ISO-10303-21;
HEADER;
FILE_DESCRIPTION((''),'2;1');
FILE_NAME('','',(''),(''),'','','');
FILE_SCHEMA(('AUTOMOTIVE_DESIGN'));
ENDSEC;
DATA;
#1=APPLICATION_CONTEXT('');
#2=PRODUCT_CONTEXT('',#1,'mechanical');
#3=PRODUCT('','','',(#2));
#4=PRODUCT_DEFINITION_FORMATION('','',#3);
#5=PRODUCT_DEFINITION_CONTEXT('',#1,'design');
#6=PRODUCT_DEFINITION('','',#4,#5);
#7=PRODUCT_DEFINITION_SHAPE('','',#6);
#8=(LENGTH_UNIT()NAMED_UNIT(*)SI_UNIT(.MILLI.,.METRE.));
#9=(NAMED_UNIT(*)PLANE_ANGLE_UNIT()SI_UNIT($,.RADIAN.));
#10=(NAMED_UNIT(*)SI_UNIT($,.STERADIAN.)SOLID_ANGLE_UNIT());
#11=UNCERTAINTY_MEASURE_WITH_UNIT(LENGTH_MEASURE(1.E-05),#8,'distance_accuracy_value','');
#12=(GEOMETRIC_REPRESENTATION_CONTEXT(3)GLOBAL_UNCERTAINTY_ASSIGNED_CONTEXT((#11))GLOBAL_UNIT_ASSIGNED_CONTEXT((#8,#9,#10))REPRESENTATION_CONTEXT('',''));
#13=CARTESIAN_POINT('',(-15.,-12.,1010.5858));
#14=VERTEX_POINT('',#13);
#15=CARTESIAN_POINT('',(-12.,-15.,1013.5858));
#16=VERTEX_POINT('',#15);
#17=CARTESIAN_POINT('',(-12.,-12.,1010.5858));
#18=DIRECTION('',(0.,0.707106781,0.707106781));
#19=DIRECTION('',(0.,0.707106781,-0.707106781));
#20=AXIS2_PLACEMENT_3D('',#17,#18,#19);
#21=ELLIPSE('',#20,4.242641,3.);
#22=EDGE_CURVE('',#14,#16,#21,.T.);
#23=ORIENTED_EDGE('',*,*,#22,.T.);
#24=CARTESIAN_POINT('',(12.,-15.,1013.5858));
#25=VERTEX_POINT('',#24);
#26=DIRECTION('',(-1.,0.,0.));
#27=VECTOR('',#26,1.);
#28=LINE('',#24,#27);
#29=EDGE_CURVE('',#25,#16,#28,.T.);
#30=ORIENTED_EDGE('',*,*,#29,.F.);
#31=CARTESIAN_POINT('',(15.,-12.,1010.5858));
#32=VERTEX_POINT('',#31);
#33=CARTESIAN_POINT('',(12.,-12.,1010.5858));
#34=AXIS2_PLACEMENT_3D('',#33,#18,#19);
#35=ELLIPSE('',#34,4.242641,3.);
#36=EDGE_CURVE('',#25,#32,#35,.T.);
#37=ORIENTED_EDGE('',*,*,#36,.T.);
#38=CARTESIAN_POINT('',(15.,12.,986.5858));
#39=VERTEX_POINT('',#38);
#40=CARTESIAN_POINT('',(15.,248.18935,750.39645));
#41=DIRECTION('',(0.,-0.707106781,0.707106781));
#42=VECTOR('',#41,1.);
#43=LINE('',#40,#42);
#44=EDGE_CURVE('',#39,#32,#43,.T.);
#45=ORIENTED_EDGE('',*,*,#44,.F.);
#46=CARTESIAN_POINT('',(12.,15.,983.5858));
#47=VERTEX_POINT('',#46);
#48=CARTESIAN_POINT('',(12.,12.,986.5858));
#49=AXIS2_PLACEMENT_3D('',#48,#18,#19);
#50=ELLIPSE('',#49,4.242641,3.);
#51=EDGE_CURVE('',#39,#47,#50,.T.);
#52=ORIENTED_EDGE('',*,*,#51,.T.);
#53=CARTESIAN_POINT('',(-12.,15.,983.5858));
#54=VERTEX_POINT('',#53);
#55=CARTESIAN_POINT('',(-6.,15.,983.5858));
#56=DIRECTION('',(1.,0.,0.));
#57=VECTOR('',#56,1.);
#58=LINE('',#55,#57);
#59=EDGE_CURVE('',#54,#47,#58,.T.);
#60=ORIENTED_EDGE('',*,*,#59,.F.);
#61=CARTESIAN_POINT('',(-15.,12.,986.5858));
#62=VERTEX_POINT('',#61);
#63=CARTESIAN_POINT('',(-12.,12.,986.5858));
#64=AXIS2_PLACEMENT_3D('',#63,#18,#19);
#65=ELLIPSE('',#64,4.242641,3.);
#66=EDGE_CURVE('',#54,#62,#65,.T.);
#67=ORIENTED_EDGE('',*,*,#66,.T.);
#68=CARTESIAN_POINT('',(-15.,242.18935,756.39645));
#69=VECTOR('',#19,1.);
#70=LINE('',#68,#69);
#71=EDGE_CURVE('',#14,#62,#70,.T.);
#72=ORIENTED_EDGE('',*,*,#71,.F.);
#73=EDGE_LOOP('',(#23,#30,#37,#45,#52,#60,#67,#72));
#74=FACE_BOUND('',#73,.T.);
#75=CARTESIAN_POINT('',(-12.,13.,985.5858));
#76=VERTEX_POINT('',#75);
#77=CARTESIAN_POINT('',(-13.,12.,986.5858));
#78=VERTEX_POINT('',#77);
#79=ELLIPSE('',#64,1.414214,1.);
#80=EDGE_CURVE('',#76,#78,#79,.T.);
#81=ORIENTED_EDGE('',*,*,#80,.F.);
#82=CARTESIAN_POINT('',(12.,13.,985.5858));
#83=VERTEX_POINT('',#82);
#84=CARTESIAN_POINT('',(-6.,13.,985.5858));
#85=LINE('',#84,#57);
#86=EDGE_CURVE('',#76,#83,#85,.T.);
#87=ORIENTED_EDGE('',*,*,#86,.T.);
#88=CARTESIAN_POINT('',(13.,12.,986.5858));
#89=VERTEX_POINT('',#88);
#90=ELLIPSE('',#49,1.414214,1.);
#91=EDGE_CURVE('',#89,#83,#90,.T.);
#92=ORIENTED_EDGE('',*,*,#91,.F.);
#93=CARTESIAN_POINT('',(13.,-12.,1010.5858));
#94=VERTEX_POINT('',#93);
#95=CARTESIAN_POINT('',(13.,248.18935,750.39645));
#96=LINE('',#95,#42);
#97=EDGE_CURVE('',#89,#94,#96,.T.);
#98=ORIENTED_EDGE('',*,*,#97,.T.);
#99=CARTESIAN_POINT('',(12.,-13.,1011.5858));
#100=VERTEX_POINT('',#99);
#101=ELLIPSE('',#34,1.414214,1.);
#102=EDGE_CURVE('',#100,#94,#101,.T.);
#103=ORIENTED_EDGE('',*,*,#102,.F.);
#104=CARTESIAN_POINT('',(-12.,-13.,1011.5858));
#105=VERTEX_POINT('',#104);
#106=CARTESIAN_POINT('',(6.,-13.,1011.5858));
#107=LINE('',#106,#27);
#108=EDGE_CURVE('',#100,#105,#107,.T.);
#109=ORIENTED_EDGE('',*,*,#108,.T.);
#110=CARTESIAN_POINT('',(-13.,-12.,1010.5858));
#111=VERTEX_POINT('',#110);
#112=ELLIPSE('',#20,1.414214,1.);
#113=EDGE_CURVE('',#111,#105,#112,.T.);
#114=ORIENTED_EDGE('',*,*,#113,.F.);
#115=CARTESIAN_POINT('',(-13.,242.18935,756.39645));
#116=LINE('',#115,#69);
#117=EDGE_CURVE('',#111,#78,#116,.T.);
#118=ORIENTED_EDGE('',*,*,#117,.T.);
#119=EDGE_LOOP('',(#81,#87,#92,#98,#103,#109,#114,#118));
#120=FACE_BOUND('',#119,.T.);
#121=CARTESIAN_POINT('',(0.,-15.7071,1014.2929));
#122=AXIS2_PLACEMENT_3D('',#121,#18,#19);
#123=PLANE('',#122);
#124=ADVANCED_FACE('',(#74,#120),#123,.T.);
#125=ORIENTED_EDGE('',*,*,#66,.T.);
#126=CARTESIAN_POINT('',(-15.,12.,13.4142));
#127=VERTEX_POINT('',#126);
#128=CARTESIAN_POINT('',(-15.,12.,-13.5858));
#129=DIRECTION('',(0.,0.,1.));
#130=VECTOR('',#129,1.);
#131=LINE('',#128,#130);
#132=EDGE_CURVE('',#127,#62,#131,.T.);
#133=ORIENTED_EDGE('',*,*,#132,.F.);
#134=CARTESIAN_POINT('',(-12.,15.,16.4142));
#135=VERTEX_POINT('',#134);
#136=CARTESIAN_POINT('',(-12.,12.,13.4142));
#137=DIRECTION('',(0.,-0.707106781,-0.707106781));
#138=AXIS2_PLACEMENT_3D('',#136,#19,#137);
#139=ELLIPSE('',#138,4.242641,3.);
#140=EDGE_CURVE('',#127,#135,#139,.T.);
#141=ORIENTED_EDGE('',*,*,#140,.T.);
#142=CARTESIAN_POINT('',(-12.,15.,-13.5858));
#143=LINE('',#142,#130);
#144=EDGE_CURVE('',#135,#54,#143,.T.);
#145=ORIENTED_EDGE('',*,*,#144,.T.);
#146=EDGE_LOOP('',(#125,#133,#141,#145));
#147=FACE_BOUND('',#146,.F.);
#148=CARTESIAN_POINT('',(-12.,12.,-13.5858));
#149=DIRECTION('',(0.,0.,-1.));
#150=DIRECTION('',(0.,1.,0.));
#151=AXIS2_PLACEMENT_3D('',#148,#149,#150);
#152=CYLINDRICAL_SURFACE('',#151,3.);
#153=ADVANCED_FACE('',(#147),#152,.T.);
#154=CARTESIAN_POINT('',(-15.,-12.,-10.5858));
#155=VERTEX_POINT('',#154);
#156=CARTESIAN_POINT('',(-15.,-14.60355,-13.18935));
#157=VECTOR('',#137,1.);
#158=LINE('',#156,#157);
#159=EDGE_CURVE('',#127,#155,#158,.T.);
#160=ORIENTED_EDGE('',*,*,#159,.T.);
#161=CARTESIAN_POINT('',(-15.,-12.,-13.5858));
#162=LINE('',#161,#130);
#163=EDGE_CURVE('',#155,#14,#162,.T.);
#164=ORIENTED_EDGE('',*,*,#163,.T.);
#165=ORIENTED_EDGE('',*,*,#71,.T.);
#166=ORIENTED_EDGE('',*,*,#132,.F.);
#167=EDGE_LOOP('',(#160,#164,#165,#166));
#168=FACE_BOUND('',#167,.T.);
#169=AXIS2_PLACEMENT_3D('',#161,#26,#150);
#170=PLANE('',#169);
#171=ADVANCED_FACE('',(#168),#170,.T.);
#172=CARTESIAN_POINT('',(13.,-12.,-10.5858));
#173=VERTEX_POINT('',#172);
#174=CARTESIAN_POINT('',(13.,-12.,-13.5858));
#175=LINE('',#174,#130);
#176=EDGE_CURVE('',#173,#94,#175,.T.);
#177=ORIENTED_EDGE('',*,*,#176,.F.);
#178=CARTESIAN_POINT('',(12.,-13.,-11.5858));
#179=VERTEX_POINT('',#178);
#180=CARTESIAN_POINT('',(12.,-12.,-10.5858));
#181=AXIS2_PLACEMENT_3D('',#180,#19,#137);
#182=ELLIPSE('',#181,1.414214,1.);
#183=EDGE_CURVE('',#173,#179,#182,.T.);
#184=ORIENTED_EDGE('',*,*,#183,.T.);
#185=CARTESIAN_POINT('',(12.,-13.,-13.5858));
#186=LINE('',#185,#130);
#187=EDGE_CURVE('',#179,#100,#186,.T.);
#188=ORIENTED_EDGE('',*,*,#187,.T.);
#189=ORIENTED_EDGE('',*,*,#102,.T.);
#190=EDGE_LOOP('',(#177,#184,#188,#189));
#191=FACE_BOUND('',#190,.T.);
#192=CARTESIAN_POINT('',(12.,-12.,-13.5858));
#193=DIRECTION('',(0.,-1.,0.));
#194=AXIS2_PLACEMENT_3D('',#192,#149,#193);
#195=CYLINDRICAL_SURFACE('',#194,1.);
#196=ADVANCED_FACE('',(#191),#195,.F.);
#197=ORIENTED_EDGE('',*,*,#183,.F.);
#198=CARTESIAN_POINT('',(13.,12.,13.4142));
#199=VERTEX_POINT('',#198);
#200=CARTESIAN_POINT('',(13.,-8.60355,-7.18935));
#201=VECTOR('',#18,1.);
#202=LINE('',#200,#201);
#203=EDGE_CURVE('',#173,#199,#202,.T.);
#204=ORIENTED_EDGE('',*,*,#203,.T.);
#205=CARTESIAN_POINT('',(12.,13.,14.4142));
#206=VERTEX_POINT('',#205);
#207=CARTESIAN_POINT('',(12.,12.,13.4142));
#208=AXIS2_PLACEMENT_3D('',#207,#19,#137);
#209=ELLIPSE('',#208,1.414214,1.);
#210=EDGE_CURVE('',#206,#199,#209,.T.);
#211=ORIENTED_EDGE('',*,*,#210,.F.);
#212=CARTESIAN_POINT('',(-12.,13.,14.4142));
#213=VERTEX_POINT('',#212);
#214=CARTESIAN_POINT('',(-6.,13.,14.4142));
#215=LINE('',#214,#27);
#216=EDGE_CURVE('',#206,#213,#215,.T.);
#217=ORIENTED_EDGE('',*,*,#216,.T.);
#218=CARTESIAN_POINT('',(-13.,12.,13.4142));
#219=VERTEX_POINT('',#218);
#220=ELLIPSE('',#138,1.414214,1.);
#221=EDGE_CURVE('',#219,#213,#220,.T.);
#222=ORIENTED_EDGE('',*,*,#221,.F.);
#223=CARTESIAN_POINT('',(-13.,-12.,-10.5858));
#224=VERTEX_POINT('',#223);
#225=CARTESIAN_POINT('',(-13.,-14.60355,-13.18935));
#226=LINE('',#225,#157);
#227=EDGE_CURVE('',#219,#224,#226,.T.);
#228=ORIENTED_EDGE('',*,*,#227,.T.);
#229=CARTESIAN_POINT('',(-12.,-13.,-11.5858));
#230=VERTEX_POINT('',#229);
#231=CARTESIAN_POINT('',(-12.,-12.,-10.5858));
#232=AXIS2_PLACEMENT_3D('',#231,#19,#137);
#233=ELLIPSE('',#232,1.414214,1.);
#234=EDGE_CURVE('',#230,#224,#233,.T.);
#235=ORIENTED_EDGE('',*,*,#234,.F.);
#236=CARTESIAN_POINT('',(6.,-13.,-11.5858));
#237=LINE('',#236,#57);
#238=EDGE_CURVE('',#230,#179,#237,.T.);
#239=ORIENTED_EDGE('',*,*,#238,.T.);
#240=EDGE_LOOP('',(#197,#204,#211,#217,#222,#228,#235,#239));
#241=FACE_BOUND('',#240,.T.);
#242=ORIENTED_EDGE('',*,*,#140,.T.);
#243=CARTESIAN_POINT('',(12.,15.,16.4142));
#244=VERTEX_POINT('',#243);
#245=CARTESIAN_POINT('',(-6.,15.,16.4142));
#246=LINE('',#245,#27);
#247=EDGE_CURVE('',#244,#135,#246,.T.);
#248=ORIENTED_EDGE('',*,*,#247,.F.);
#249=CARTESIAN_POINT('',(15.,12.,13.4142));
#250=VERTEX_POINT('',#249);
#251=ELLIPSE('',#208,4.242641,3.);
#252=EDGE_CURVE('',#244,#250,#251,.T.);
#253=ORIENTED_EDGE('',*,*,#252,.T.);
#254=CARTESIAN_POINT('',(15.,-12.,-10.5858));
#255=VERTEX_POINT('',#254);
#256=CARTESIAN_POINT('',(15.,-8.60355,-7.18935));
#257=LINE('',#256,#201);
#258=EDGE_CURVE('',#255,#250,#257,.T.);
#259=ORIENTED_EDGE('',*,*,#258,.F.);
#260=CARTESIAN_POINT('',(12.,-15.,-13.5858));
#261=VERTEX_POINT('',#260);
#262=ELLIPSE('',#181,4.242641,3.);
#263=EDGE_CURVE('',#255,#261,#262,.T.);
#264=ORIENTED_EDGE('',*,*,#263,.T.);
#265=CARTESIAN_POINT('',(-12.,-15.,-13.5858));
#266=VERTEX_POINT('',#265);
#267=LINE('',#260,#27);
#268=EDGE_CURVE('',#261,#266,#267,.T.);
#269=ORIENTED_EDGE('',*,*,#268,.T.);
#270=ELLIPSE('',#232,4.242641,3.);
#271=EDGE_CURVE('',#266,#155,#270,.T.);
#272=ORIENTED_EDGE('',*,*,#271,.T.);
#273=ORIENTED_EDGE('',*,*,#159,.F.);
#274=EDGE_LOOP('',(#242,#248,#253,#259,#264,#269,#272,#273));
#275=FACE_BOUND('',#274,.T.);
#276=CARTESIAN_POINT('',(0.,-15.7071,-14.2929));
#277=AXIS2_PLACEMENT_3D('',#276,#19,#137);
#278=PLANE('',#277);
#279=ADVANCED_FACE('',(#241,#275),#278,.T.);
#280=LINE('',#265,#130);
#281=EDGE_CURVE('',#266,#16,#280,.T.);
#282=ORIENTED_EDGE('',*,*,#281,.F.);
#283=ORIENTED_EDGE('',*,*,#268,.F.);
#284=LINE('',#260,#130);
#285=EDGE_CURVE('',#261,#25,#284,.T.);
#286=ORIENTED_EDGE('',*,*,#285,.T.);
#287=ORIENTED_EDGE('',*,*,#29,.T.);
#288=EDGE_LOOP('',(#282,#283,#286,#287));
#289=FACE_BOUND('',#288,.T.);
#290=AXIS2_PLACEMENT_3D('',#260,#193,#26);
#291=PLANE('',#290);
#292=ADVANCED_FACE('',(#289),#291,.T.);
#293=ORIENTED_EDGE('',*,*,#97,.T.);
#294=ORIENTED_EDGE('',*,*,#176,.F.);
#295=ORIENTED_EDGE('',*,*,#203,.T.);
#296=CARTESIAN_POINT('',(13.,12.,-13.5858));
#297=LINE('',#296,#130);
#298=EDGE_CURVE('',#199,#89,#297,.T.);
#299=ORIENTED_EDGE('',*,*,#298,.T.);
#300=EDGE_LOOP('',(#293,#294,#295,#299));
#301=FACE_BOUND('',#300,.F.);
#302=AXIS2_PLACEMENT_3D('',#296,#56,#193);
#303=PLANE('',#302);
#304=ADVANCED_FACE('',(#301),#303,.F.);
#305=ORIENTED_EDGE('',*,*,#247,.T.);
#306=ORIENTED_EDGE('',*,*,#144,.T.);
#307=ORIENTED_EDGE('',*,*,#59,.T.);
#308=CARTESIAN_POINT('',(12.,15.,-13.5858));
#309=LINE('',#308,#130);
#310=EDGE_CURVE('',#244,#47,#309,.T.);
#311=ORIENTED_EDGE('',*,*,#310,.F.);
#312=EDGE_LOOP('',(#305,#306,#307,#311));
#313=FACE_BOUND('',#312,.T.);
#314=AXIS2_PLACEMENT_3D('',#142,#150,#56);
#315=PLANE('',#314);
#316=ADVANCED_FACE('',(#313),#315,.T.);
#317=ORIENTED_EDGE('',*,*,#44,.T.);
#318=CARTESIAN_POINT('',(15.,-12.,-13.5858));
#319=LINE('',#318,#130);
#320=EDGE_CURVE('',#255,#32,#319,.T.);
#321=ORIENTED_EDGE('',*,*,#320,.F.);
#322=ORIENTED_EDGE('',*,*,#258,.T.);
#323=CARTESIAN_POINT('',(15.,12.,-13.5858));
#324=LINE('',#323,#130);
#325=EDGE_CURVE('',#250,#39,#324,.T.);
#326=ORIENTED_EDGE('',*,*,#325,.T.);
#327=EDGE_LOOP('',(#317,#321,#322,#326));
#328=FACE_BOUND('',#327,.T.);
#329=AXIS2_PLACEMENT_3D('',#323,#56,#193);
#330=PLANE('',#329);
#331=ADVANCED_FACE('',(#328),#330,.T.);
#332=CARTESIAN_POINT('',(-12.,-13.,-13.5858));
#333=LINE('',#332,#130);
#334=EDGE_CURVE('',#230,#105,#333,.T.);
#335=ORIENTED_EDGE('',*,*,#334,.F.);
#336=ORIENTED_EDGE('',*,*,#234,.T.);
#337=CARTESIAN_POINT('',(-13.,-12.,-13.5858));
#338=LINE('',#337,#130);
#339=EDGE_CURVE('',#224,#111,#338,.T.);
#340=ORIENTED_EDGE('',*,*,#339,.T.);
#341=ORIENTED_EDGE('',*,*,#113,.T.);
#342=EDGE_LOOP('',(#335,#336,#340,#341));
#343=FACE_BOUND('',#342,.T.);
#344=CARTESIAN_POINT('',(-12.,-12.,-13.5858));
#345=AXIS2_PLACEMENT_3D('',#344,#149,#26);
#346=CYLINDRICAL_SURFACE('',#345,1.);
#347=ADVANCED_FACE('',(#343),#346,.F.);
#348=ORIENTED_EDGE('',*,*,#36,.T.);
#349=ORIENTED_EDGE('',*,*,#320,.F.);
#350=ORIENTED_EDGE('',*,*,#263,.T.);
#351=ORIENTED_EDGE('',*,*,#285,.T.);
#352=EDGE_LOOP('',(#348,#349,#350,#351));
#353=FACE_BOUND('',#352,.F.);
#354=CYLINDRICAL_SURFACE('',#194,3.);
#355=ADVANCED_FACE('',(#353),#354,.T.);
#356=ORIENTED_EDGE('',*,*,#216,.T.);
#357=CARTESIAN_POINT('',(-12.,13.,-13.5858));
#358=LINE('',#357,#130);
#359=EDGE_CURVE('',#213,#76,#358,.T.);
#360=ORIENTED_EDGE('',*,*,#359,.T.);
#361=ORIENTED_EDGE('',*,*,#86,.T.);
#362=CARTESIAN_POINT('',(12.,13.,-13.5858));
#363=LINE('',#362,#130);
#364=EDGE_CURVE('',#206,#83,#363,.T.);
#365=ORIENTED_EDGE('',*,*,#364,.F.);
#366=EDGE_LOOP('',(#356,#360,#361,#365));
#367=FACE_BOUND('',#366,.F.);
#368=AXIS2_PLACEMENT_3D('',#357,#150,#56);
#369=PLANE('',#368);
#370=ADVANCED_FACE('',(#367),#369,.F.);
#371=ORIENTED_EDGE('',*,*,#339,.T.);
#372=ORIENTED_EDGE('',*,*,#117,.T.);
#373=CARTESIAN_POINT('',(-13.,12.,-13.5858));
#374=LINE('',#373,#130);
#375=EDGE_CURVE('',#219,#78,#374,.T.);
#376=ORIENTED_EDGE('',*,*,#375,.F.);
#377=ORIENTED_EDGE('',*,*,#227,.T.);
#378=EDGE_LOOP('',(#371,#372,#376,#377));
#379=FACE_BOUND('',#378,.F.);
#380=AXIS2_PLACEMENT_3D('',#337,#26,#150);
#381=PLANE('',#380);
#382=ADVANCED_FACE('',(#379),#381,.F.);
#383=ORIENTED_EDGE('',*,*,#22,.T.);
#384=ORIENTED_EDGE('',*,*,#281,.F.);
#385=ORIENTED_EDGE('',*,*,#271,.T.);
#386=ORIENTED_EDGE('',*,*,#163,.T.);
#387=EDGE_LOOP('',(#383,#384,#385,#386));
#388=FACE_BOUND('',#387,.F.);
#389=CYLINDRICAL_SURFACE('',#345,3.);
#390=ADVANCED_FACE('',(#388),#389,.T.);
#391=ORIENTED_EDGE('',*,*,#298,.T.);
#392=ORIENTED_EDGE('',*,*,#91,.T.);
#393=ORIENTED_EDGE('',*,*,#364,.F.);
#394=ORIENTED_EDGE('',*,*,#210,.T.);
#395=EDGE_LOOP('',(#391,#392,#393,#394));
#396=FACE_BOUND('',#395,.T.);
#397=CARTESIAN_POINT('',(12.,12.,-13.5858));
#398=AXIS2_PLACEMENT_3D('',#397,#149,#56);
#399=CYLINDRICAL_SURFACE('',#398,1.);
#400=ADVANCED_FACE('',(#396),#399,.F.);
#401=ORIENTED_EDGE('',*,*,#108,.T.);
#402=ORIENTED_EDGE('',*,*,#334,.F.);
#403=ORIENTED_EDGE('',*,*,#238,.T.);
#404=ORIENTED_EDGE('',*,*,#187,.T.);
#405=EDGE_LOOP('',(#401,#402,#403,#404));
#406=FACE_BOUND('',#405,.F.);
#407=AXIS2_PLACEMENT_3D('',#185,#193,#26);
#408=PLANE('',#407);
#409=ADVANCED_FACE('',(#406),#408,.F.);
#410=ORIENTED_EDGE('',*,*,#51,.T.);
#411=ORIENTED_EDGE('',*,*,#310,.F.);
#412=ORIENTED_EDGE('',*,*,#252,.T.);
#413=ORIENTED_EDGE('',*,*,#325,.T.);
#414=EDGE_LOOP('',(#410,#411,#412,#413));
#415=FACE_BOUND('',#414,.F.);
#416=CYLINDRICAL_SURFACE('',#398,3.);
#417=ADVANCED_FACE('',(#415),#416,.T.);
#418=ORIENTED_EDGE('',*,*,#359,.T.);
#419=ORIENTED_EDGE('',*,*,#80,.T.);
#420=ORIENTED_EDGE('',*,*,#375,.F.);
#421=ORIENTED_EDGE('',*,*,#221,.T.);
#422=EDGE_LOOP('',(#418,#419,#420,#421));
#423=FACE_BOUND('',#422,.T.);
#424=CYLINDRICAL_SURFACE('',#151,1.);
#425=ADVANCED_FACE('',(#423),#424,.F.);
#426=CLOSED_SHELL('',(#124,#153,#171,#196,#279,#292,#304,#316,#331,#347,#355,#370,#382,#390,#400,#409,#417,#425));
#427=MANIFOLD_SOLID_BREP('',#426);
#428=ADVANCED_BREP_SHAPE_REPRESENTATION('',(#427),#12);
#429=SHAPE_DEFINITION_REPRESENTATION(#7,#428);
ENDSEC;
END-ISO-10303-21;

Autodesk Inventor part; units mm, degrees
ref_plane "Start Plane" through (0, 0, -13.5858) normal (0, 0, 1) x (1, 0, 0)
ref_plane "End Plane" through (0, 0, 1013.5858) normal (0, 0, 1) x (1, 0, 0)
sketch "Sketch" plane through (0, 0, 0) normal (0, 0, 1) x (1, 0, 0)
  line L0 (-15, -12) -> (-15, 12)
  line L1 (-12, 15) -> (12, 15)
  line L2 (15, 12) -> (15, -12)
  line L3 (12, -15) -> (-12, -15)
  arc A0 (-15, -12) -> (-12, -15) centre (-12, -12) ccw
  arc A1 (-12, 15) -> (-15, 12) centre (-12, 12) ccw
  arc A2 (15, 12) -> (12, 15) centre (12, 12) ccw
  arc A3 (12, -15) -> (15, -12) centre (12, -12) ccw
  arc A4 (-12, 13) -> (-13, 12) centre (-12, 12) ccw
  line L4 (-12, 13) -> (12, 13)
  arc A5 (13, 12) -> (12, 13) centre (12, 12) ccw
  line L5 (13, 12) -> (13, -12)
  arc A6 (12, -13) -> (13, -12) centre (12, -12) ccw
  line L6 (12, -13) -> (-12, -13)
  arc A7 (-13, -12) -> (-12, -13) centre (-12, -12) ccw
  line L7 (-13, -12) -> (-13, 12)
  line L8 (0, 21.8698) -> (0, -21.8698) construction
  line L9 (-21.8698, 0) -> (21.8698, 0) construction
  dimension "d7" = 3
  dimension "d10" = 30
  dimension "d11" = 30
  dimension "d12" = 2
  dimension "d15" = 15
  dimension "d16" = 15
extrude "Body" add sketch "Sketch" along normal up to surface (1027.1716 mm away) from surface at -13.5858
sketch "Sketch3" plane through (0, 0, 0) normal (0, 0, 1) x (1, 0, 0)
  line L0 (0, 0) -> (10, 0)
ref_plane "Work Plane3" through (0, 0, 0) normal (0, -1, 0) x (1, 0, 0)
ref_plane "Work Plane4" through (0, -15.7071, -14.2929) normal (0, 0.7071, -0.7071) x (1, 0, 0)
split "Split1" plane through (0, -15.7071, -14.2929) removes the side toward (0, 0.7071, -0.7071)
ref_plane "Work Plane5" through (0, -15.7071, 1014.2929) normal (0, 0.7071, 0.7071) x (1, 0, 0)
split "Split2" plane through (0, -15.7071, 1014.2929) removes the side toward (0, 0.7071, 0.7071)
sketch "Sketch4" plane through (0, 0, 0) normal (0, -1, 0) x (1, 0, 0)
  line L0 (-2, -13.5858) -> (12, -13.5858) projected
  line L1 (-2, 1013.5858) -> (12, 1013.5858) projected
  dimension "d18" = 1027.1716
equation "\"d7\" = G_IR"
equation "\"d10\" = G_H"
equation "\"d11\" = G_W"
equation "\"d12\" = G_T"
equation "\"d15\" = 0.5 * d10"
equation "\"d16\" = 0.5 * d11"
equation "\"d3\" = G_L"
equation "\"G_W\" = 30"
equation "\"G_H\" = 30"
equation "\"G_T\" = 2"
equation "\"G_IR\" = 3"
equation "\"G_L\" = d18"
equation "\"G_OFFSET_START\" = 13.58579"
equation "\"G_OFFSET_END\" = 13.58579"
equation "\"d13\" = -G_OFFSET_START"
equation "\"d14\" = G_OFFSET_END + B_L"
equation "\"B_L\" = 1000"
properties part number "ISO 12633-2 - 30x30x2 - 1027,17" material "Steel, Mild"
